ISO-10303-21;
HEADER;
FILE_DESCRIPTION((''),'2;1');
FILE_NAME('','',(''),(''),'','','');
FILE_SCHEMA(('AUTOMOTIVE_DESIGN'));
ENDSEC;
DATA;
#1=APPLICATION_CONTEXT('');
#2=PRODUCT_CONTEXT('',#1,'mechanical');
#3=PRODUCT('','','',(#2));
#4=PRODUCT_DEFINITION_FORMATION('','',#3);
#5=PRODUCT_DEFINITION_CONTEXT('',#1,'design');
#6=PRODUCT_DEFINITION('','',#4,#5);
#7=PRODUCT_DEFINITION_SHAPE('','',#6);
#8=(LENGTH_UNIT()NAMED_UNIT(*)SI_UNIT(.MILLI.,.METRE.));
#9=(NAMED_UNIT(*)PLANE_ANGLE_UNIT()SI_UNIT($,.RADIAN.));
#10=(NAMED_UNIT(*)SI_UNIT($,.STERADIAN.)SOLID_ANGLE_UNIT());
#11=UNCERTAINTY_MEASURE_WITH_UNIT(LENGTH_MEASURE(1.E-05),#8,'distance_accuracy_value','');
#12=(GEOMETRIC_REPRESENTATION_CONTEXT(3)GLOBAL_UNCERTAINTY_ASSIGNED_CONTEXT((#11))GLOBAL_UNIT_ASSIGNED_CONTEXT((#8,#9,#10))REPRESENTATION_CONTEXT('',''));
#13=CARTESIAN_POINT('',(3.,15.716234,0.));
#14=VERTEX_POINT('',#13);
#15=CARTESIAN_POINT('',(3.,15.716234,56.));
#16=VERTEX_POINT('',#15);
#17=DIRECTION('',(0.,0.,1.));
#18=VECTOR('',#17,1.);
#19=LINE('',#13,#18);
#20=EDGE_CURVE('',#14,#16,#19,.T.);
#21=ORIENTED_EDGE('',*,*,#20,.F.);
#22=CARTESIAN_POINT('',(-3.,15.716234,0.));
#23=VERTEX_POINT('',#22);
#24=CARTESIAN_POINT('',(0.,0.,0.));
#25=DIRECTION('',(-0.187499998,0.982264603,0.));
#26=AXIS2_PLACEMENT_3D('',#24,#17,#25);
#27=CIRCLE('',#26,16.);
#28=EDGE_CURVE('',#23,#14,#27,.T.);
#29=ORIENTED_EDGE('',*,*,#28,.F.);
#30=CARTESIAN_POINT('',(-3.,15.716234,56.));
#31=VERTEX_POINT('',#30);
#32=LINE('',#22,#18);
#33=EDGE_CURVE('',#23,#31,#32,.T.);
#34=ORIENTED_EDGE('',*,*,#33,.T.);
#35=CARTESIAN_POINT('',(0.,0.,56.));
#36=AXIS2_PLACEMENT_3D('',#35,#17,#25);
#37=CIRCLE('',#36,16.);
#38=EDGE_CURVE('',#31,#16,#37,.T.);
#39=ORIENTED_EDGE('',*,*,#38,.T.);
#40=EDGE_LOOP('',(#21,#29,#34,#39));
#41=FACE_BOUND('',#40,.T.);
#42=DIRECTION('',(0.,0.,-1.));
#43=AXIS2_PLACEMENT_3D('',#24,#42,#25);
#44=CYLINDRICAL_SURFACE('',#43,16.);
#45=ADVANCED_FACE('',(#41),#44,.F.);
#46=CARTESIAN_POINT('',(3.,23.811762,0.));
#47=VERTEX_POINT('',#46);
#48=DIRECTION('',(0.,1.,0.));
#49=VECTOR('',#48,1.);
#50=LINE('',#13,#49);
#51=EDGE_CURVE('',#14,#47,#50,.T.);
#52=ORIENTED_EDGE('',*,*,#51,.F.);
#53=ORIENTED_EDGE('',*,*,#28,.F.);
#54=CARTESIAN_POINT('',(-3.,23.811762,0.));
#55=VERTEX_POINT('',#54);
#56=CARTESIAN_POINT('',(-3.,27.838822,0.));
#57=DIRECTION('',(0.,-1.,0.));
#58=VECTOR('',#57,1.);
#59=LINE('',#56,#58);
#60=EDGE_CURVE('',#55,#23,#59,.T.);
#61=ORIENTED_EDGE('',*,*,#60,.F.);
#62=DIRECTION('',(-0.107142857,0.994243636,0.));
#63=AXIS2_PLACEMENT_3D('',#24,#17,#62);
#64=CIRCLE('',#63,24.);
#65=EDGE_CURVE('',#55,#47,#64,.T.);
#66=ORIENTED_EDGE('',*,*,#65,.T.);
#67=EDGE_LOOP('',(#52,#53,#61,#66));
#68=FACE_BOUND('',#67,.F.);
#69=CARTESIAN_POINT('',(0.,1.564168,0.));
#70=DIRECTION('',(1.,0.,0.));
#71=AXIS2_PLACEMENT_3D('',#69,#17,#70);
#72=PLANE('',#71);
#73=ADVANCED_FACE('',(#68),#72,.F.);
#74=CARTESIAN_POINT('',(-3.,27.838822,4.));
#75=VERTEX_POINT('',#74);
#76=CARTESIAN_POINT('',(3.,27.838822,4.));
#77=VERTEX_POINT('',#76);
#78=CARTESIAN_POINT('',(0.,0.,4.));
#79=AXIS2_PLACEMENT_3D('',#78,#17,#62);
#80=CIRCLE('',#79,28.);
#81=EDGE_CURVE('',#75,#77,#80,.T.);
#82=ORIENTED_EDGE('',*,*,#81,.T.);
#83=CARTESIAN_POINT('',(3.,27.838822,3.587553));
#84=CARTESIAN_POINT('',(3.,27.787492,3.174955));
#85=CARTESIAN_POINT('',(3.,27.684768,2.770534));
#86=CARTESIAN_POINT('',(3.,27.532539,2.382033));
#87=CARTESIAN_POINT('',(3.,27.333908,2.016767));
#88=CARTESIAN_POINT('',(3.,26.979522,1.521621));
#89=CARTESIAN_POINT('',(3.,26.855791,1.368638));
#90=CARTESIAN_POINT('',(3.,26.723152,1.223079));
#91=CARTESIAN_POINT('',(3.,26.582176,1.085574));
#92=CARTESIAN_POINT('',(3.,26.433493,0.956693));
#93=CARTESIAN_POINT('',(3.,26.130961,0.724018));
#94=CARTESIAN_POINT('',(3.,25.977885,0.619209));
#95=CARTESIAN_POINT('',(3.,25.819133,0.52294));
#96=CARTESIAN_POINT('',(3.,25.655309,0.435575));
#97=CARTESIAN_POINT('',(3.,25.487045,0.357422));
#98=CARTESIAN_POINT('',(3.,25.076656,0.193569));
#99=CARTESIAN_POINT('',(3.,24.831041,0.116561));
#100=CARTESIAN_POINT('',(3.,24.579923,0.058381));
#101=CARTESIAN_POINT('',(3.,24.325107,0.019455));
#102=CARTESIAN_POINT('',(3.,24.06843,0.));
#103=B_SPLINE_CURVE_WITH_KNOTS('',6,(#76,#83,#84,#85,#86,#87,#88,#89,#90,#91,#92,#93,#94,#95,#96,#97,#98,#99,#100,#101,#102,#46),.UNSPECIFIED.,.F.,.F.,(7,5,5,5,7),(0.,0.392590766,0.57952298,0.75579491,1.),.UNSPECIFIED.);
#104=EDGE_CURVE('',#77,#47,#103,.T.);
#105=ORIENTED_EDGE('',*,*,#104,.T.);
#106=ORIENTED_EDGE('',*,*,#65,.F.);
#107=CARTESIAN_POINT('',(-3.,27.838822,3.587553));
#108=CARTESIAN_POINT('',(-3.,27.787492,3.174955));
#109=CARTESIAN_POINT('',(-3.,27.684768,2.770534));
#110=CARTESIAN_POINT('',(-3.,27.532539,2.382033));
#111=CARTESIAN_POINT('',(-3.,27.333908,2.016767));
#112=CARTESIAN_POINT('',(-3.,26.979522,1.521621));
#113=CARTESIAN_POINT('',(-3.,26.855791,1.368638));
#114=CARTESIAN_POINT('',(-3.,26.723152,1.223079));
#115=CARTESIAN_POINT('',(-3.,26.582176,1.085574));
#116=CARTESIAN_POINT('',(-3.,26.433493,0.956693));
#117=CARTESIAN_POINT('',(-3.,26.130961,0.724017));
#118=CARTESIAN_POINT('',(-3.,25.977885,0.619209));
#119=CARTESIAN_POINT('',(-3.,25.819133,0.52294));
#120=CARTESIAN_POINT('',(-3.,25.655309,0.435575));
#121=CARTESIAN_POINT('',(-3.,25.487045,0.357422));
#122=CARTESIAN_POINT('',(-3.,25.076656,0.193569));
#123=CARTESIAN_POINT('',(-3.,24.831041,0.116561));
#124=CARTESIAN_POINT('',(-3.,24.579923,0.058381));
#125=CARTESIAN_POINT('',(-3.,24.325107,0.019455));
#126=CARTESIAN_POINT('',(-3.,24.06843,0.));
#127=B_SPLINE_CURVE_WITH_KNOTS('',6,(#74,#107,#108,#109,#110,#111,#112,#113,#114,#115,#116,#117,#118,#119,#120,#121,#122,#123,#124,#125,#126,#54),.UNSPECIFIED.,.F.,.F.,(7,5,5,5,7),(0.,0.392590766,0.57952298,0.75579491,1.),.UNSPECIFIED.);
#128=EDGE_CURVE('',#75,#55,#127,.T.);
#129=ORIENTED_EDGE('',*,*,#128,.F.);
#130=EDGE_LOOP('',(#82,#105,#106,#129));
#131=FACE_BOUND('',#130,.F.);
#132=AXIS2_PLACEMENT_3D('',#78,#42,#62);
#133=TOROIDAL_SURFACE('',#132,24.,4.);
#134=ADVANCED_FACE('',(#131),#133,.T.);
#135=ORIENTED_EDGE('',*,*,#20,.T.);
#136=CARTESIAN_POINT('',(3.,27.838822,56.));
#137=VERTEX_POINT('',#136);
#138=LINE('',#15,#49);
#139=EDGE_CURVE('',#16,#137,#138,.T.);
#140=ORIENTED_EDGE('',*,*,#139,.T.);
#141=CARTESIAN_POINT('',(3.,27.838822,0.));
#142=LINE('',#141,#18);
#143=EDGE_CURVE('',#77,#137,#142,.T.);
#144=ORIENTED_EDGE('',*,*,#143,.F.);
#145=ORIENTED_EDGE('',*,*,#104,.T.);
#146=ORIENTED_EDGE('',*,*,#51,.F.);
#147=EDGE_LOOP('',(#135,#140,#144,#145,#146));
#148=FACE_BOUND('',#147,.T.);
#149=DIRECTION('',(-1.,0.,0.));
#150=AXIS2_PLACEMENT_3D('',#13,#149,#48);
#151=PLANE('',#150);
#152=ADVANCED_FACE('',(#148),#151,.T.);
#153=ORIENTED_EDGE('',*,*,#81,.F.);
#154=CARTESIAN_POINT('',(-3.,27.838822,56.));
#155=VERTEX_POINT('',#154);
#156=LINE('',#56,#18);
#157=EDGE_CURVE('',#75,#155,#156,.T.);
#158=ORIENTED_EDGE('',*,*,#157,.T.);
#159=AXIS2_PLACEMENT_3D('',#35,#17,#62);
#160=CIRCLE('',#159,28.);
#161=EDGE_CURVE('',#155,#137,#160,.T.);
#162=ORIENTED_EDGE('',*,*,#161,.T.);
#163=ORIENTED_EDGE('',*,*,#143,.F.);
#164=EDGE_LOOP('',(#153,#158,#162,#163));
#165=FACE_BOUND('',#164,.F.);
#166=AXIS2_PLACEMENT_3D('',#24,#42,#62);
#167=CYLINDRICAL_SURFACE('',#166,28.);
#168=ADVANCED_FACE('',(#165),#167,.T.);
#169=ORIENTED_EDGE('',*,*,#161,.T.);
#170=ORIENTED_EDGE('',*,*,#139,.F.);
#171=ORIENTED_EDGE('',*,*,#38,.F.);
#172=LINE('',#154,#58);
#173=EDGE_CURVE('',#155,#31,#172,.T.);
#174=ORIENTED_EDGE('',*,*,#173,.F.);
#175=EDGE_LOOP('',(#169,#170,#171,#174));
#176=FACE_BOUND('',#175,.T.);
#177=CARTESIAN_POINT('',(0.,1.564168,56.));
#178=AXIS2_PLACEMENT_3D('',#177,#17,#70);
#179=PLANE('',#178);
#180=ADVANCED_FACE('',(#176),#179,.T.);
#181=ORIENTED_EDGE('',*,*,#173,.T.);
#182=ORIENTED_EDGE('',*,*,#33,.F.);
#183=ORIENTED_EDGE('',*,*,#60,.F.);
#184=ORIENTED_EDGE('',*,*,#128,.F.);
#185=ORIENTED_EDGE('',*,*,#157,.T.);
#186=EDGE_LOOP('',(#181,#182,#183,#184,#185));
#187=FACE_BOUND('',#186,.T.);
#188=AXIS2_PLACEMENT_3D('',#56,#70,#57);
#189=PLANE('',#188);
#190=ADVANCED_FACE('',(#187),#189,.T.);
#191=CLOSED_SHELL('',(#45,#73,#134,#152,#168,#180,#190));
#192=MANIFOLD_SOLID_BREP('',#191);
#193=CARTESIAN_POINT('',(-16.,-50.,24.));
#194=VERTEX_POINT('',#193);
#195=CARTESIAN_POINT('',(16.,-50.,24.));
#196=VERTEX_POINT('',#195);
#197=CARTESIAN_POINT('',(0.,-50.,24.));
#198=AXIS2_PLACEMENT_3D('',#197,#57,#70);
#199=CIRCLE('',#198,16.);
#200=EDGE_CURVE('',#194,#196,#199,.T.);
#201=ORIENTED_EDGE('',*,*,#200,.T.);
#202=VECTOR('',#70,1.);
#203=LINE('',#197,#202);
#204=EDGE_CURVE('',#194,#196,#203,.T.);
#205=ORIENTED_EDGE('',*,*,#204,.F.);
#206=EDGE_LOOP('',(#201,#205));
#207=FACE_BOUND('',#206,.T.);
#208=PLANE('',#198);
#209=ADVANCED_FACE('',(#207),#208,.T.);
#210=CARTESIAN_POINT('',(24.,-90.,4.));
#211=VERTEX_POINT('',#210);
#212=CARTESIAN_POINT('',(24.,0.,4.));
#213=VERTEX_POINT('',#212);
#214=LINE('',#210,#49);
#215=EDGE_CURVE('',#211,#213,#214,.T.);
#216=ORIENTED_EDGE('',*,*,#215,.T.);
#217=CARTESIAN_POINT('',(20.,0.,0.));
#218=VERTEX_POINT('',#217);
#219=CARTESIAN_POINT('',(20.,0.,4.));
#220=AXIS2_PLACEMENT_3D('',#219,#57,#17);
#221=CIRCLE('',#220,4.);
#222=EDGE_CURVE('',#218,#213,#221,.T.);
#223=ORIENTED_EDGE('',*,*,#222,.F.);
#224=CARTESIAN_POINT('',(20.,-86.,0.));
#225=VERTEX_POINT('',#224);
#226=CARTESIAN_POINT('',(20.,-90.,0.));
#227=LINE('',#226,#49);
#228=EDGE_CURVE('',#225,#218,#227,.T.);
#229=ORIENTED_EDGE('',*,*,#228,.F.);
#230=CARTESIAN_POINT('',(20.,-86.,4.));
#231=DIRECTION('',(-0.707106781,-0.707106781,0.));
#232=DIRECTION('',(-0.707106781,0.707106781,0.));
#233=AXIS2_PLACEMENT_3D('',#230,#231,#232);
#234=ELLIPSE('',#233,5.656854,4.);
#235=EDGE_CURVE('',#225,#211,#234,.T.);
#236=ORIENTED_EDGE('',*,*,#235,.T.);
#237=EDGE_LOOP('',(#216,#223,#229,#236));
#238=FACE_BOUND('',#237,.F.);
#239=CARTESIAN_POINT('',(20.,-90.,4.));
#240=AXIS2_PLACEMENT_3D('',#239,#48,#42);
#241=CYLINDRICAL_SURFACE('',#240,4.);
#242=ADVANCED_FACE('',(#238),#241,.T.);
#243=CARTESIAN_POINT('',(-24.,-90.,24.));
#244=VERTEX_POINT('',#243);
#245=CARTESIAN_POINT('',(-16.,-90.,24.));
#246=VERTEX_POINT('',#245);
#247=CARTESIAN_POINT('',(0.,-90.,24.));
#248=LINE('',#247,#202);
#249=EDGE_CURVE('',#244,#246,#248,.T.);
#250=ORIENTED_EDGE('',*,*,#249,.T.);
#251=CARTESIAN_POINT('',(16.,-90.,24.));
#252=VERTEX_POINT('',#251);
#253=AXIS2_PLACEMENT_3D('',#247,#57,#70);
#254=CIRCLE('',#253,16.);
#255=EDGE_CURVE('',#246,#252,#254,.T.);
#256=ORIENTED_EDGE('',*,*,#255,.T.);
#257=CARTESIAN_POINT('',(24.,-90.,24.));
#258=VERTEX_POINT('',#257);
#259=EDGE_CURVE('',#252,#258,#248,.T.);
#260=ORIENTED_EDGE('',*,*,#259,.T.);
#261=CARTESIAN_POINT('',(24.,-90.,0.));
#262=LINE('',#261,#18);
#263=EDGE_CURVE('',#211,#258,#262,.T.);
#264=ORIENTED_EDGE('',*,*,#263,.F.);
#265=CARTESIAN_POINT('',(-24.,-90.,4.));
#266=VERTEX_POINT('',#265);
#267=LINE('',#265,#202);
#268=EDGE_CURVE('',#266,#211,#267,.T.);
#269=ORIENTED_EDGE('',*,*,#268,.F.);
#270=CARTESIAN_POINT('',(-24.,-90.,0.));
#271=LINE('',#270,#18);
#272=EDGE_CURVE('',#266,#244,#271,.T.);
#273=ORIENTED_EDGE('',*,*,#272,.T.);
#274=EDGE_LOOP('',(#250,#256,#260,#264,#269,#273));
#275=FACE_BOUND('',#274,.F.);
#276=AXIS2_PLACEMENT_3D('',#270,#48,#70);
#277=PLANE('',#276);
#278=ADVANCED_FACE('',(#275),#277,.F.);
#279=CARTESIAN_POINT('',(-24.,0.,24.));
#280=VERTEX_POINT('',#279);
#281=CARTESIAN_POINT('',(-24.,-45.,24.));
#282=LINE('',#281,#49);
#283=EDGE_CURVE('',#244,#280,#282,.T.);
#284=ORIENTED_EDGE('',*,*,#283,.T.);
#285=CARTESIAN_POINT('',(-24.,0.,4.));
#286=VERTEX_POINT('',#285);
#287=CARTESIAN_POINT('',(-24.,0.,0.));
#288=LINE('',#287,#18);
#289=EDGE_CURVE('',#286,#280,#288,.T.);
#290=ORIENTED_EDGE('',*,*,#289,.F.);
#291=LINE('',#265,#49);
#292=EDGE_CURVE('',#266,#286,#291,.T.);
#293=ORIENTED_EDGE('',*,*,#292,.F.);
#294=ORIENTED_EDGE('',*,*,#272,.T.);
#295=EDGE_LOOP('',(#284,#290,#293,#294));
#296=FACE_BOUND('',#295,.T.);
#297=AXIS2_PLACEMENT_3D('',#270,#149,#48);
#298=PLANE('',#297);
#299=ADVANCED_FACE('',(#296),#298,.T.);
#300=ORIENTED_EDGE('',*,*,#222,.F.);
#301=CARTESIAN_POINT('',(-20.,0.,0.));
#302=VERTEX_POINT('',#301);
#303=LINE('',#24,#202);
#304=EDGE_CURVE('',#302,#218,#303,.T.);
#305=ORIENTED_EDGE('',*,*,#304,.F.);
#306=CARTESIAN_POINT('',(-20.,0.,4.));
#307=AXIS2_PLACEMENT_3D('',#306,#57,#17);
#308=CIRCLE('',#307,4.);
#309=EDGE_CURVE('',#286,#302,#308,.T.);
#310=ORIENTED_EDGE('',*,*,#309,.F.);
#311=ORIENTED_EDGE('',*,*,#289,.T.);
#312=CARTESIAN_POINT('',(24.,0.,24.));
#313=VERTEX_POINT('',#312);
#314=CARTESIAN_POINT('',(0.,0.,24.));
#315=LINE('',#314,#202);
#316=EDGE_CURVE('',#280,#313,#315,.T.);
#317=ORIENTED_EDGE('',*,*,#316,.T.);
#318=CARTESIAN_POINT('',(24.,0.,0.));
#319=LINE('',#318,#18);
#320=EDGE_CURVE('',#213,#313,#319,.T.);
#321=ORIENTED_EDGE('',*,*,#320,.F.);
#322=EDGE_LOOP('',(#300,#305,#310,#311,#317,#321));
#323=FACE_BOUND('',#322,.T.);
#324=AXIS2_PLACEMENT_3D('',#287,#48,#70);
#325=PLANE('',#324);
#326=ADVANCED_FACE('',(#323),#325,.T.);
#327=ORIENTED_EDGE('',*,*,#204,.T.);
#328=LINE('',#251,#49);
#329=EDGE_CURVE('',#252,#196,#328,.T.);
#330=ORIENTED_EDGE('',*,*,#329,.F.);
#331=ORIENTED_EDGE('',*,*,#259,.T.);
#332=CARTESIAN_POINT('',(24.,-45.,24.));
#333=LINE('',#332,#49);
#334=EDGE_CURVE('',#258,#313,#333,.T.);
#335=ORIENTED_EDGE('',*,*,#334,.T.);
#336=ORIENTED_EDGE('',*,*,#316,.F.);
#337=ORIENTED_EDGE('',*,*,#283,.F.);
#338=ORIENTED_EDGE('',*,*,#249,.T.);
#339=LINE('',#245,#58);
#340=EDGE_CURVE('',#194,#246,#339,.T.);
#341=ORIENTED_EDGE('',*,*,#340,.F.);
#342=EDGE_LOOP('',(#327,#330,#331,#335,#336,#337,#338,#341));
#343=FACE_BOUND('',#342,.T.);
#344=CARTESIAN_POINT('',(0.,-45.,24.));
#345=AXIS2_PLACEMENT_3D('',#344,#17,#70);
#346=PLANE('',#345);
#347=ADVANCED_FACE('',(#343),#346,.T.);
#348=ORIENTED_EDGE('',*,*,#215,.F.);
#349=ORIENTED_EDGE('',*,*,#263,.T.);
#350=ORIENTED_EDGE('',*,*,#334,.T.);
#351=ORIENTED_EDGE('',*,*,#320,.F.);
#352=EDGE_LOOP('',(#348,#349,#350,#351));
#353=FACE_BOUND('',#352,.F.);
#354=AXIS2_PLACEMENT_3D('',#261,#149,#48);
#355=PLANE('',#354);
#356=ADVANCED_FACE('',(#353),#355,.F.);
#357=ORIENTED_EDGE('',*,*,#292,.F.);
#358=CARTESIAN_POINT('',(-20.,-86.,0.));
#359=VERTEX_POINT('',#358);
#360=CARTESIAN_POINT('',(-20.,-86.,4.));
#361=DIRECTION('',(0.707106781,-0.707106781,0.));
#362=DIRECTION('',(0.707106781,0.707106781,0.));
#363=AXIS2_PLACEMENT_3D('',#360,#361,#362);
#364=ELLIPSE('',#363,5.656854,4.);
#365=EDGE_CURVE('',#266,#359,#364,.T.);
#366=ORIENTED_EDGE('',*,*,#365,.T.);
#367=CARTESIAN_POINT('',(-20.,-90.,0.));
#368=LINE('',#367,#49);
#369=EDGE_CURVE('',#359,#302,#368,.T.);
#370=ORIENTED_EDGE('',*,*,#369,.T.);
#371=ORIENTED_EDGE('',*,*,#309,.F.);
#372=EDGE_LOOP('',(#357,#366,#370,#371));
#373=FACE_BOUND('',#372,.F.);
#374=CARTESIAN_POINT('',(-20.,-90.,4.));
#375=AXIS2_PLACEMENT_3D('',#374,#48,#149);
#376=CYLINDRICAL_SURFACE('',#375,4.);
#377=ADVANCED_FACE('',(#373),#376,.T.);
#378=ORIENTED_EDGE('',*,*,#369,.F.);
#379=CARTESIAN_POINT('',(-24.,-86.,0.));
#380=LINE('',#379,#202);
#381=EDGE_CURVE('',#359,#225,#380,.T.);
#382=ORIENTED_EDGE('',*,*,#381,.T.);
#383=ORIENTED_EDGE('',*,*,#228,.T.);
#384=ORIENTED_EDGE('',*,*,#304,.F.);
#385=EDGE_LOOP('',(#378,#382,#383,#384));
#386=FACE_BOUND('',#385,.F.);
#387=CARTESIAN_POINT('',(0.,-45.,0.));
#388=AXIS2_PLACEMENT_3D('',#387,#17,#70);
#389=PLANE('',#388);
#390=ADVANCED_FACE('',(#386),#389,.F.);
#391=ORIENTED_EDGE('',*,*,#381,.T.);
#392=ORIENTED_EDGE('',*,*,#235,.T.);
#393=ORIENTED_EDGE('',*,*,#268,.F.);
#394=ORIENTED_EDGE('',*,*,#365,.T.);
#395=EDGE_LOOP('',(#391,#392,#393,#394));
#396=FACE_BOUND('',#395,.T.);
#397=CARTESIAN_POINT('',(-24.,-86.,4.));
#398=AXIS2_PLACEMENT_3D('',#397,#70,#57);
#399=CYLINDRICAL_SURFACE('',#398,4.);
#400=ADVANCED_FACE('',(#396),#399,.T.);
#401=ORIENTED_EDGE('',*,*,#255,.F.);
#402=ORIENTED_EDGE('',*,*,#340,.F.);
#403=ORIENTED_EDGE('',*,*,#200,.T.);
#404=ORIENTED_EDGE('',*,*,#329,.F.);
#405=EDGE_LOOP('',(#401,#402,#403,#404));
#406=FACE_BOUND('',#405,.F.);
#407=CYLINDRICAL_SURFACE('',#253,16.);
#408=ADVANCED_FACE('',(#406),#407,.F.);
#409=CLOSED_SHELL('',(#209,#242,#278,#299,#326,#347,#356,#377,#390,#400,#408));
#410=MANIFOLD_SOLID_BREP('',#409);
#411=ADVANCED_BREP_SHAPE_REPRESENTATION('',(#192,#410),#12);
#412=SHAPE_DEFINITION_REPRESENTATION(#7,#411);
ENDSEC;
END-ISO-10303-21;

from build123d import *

# Parameters (mm, degrees)
PAD_DEPTH    = 56
FILLET_R     = 4
SKETCH001_W  = 48
SKETCH001_H  = 90
PAD001_DEPTH = 24
SKETCH002_R  = 16
POCKET_DEPTH = 40
FILLET001_R  = 4


with BuildPart() as fillet_body:
    # Sketch → Pad (new body)
    with BuildSketch(Plane.XY):
        with BuildLine():
            ThreePointArc((-3, 27.838822), (0, -28), (3, 27.838822))
            Line((3, 15.716234), (3, 27.838822))
            ThreePointArc((-3, 15.716234), (0, -16), (3, 15.716234))
            Line((-3, 27.838822), (-3, 15.716234))
        make_face()
    extrude(amount=PAD_DEPTH)

    # Fillet
    fillet_edges = [fillet_body.edges().sort_by_distance(p)[0] for p in [
        (0, -28, 0),
    ]]
    fillet(fillet_edges, radius=FILLET_R)


with BuildPart() as fillet001:
    # Sketch001 → Pad001 (new body)
    with BuildSketch(Plane.XY):
        with Locations((0, -45)):
            Rectangle(SKETCH001_W, SKETCH001_H)
    extrude(amount=PAD001_DEPTH)

    # Sketch002 → Pocket (cut)
    with BuildSketch(Plane.XZ.offset(90)):
        with Locations((0, 24)):
            Circle(SKETCH002_R)
    extrude(amount=-POCKET_DEPTH, mode=Mode.SUBTRACT)

    # Fillet001
    fillet001_edges = [fillet001.edges().sort_by_distance(p)[0] for p in [
        (24, -45, 0),
        (0, -90, 0),
        (-24, -45, 0),
    ]]
    fillet(fillet001_edges, radius=FILLET001_R)


solid = Compound([fillet_body.part, fillet001.part])
